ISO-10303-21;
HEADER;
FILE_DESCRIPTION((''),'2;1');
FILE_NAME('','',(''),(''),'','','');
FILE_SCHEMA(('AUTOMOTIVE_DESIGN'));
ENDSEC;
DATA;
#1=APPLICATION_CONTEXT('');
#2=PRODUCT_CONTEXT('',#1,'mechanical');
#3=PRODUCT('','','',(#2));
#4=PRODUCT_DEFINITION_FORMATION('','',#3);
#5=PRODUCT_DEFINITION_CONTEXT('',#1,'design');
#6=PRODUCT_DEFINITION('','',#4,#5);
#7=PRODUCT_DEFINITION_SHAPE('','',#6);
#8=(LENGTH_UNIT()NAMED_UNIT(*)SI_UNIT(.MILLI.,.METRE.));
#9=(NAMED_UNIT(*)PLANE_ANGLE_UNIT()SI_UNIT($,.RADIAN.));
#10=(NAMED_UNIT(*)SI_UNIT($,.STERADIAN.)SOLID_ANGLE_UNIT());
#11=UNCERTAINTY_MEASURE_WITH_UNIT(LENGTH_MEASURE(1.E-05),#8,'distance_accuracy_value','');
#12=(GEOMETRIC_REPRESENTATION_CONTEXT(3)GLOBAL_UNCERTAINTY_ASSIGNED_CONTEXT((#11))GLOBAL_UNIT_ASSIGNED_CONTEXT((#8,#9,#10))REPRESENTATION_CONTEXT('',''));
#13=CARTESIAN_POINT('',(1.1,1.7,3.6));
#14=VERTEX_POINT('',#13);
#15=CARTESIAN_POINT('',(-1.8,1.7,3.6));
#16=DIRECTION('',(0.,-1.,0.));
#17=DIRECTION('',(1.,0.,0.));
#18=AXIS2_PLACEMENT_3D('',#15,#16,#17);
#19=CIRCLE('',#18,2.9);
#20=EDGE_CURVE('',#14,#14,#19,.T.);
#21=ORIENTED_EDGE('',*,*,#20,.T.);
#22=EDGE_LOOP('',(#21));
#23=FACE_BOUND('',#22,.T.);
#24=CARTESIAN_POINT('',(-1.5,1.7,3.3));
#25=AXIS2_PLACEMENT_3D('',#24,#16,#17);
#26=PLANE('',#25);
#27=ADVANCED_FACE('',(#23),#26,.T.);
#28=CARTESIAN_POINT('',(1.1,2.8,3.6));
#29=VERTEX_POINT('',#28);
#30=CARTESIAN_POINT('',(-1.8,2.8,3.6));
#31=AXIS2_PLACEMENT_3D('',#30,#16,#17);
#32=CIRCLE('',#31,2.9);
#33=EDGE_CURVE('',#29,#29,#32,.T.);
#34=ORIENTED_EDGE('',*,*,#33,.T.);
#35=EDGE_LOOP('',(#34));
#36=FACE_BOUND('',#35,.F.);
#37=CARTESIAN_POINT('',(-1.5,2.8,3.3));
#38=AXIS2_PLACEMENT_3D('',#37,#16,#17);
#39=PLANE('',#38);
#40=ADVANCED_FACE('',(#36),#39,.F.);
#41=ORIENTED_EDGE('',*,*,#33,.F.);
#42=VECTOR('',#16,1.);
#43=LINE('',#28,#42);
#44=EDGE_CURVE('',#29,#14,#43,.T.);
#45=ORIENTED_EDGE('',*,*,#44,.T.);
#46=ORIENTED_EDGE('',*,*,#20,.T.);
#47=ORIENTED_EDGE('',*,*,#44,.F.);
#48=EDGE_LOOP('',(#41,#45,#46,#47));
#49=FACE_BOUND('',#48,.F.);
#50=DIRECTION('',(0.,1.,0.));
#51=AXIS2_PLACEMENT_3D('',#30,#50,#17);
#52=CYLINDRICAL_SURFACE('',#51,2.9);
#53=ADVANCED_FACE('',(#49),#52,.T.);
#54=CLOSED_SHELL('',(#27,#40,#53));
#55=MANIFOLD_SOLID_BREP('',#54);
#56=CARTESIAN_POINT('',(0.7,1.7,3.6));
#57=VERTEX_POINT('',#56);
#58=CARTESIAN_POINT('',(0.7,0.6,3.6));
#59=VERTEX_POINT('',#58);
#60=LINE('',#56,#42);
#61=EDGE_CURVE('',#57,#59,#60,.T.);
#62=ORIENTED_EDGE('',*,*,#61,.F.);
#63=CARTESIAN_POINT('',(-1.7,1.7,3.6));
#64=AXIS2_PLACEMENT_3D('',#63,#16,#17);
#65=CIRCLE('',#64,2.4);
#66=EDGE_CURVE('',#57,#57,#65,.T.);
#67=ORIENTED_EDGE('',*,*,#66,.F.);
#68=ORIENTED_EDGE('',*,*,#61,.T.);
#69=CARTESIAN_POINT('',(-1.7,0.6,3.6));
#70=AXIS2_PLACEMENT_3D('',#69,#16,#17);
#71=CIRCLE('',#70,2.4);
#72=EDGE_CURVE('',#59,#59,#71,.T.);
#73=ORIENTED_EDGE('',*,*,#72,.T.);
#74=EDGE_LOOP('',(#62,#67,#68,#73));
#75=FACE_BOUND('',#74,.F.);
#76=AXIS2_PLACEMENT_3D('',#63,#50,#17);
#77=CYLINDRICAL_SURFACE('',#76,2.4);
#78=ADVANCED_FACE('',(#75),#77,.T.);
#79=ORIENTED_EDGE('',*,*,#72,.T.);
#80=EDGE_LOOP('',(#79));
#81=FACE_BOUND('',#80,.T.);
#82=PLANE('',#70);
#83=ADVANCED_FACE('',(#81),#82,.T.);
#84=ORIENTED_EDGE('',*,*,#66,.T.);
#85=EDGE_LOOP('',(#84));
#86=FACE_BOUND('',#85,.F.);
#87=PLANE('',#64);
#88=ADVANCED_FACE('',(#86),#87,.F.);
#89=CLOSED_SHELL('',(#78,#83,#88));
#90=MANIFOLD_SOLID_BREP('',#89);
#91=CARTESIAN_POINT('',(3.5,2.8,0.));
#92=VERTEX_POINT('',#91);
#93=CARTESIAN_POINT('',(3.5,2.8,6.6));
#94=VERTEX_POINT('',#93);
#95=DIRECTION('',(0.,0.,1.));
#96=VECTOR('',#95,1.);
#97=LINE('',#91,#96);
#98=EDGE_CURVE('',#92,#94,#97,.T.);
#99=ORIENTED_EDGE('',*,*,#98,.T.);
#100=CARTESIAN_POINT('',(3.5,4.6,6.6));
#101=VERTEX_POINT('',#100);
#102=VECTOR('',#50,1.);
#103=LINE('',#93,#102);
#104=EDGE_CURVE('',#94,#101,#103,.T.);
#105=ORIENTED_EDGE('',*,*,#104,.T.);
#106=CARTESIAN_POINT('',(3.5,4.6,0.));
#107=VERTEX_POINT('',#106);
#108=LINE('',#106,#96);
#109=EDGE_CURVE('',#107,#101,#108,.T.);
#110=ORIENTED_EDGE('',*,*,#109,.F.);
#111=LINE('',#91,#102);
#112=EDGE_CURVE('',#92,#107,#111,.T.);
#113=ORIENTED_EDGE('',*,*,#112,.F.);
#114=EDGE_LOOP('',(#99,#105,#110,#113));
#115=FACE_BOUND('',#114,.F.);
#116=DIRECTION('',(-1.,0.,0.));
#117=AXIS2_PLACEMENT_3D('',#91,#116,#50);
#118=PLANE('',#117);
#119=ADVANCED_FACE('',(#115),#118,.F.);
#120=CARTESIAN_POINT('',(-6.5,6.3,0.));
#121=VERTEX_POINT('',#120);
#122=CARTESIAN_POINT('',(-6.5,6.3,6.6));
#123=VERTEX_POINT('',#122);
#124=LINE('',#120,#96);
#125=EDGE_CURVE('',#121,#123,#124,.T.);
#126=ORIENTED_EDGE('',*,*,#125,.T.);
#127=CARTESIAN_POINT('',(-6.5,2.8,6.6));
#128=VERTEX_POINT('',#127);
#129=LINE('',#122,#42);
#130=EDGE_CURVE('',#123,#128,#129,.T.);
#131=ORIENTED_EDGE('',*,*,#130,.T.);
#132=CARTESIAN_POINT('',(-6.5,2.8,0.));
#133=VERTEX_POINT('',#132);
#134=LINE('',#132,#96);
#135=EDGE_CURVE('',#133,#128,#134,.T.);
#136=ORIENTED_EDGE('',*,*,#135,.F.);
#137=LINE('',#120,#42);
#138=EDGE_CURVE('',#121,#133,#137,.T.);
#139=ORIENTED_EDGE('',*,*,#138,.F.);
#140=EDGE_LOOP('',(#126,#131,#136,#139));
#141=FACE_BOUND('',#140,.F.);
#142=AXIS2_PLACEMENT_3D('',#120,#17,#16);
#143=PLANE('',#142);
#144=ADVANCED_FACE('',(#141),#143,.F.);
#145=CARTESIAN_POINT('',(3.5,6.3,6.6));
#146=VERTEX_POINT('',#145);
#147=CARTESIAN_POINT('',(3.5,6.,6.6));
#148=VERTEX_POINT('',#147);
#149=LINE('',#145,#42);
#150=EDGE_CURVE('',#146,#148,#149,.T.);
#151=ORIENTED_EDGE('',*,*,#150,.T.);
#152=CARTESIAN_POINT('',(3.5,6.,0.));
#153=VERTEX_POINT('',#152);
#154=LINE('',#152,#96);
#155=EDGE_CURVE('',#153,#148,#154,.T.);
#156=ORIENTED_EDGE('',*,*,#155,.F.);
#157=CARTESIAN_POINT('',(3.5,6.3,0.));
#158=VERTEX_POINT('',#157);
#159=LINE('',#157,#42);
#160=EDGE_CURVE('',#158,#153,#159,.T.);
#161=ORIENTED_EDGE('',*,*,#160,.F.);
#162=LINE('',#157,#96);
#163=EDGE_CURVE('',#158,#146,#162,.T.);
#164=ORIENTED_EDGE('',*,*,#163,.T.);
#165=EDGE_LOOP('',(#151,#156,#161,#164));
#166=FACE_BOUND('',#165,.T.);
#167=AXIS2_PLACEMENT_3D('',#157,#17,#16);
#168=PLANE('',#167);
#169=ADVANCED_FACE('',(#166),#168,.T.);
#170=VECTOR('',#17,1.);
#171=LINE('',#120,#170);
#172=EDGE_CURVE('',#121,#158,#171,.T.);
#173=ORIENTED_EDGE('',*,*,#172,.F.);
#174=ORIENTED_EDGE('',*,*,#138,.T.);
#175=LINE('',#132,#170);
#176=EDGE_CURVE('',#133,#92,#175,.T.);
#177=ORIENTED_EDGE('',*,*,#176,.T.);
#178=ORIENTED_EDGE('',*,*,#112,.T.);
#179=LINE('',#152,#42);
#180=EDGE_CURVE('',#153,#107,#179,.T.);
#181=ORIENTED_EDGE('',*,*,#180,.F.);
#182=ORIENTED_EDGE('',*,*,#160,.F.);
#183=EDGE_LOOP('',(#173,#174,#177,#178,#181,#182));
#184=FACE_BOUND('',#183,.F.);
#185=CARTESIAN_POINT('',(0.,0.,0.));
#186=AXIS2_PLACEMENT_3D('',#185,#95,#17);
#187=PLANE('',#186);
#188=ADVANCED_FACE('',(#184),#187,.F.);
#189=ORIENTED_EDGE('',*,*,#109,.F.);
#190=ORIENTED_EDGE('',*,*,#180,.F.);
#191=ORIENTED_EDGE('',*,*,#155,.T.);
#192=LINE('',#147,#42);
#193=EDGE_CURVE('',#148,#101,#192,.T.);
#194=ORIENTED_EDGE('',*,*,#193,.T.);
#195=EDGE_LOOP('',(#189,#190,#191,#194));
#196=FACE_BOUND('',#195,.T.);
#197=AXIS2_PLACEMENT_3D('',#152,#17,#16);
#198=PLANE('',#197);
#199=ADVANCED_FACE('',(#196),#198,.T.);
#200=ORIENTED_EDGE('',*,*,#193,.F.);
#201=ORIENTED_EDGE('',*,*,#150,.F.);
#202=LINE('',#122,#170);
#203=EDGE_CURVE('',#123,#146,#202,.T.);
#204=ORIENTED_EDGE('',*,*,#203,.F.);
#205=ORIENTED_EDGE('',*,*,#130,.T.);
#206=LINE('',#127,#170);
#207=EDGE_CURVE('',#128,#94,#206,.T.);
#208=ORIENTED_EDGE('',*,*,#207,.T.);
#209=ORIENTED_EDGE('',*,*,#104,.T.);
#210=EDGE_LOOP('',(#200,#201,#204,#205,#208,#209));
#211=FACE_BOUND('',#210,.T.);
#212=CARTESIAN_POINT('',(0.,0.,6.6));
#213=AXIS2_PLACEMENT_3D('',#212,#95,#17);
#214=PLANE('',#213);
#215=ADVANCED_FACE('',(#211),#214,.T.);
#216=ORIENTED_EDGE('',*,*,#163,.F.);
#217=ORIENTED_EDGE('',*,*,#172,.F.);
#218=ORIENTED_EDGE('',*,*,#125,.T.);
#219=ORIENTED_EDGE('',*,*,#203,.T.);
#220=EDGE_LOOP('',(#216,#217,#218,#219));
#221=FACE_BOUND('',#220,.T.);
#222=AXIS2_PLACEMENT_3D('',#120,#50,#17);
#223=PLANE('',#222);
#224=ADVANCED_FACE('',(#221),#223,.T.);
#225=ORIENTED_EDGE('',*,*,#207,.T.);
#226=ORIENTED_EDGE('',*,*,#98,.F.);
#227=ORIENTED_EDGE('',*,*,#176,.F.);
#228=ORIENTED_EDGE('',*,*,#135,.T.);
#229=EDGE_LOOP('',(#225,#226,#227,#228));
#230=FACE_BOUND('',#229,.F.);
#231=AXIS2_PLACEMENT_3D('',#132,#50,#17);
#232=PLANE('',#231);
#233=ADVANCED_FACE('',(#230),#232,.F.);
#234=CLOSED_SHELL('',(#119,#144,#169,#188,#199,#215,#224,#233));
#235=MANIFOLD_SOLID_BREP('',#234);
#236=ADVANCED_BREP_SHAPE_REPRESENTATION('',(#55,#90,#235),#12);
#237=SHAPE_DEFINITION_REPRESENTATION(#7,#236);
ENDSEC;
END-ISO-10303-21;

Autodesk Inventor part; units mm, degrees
ref_plane "Work Plane1" through (0, 0, 0) normal (0, 0, 1) x (1, 0, 0)
sketch "Sketch1" plane through (0, 0, 0) normal (0, 0, 1) x (1, 0, 0)
  line L0 (-6.5, 6.3) -> (3.5, 6.3)
  line L1 (3.5, 6.3) -> (3.5, 6)
  line L2 (3.5, 6) -> (3.5, 4.6)
  line L3 (3.5, 2.8) -> (3.5, 4.6)
  line L4 (-6.5, 2.8) -> (3.5, 2.8)
  line L5 (-6.5, 6.3) -> (-6.5, 2.8)
extrude "Extrusion1" add sketch "Sketch1" along normal blind 6.6
ref_plane "Work Plane2" through (-1.5, 2.8, 3.3) normal (0, -1, 0) x (1, 0, 0)
sketch "Sketch2" plane through (-1.5, 2.8, 3.3) normal (0, -1, 0) x (1, 0, 0)
  circle A0 centre (-0.3, 0.3) radius 2.9
extrude "Extrusion2" add sketch "Sketch2" along normal blind 1.1 separate body
ref_plane "Work Plane3" through (-1.7, 1.7, 3.6) normal (0, -1, 0) x (1, 0, 0)
sketch "Sketch3" plane through (-1.7, 1.7, 3.6) normal (0, -1, 0) x (1, 0, 0)
  circle A0 centre (0, 0) radius 2.4
extrude "Extrusion3" add sketch "Sketch3" along normal blind 1.1 separate body
properties part number "test_two_sketch_planes_cad_model"
